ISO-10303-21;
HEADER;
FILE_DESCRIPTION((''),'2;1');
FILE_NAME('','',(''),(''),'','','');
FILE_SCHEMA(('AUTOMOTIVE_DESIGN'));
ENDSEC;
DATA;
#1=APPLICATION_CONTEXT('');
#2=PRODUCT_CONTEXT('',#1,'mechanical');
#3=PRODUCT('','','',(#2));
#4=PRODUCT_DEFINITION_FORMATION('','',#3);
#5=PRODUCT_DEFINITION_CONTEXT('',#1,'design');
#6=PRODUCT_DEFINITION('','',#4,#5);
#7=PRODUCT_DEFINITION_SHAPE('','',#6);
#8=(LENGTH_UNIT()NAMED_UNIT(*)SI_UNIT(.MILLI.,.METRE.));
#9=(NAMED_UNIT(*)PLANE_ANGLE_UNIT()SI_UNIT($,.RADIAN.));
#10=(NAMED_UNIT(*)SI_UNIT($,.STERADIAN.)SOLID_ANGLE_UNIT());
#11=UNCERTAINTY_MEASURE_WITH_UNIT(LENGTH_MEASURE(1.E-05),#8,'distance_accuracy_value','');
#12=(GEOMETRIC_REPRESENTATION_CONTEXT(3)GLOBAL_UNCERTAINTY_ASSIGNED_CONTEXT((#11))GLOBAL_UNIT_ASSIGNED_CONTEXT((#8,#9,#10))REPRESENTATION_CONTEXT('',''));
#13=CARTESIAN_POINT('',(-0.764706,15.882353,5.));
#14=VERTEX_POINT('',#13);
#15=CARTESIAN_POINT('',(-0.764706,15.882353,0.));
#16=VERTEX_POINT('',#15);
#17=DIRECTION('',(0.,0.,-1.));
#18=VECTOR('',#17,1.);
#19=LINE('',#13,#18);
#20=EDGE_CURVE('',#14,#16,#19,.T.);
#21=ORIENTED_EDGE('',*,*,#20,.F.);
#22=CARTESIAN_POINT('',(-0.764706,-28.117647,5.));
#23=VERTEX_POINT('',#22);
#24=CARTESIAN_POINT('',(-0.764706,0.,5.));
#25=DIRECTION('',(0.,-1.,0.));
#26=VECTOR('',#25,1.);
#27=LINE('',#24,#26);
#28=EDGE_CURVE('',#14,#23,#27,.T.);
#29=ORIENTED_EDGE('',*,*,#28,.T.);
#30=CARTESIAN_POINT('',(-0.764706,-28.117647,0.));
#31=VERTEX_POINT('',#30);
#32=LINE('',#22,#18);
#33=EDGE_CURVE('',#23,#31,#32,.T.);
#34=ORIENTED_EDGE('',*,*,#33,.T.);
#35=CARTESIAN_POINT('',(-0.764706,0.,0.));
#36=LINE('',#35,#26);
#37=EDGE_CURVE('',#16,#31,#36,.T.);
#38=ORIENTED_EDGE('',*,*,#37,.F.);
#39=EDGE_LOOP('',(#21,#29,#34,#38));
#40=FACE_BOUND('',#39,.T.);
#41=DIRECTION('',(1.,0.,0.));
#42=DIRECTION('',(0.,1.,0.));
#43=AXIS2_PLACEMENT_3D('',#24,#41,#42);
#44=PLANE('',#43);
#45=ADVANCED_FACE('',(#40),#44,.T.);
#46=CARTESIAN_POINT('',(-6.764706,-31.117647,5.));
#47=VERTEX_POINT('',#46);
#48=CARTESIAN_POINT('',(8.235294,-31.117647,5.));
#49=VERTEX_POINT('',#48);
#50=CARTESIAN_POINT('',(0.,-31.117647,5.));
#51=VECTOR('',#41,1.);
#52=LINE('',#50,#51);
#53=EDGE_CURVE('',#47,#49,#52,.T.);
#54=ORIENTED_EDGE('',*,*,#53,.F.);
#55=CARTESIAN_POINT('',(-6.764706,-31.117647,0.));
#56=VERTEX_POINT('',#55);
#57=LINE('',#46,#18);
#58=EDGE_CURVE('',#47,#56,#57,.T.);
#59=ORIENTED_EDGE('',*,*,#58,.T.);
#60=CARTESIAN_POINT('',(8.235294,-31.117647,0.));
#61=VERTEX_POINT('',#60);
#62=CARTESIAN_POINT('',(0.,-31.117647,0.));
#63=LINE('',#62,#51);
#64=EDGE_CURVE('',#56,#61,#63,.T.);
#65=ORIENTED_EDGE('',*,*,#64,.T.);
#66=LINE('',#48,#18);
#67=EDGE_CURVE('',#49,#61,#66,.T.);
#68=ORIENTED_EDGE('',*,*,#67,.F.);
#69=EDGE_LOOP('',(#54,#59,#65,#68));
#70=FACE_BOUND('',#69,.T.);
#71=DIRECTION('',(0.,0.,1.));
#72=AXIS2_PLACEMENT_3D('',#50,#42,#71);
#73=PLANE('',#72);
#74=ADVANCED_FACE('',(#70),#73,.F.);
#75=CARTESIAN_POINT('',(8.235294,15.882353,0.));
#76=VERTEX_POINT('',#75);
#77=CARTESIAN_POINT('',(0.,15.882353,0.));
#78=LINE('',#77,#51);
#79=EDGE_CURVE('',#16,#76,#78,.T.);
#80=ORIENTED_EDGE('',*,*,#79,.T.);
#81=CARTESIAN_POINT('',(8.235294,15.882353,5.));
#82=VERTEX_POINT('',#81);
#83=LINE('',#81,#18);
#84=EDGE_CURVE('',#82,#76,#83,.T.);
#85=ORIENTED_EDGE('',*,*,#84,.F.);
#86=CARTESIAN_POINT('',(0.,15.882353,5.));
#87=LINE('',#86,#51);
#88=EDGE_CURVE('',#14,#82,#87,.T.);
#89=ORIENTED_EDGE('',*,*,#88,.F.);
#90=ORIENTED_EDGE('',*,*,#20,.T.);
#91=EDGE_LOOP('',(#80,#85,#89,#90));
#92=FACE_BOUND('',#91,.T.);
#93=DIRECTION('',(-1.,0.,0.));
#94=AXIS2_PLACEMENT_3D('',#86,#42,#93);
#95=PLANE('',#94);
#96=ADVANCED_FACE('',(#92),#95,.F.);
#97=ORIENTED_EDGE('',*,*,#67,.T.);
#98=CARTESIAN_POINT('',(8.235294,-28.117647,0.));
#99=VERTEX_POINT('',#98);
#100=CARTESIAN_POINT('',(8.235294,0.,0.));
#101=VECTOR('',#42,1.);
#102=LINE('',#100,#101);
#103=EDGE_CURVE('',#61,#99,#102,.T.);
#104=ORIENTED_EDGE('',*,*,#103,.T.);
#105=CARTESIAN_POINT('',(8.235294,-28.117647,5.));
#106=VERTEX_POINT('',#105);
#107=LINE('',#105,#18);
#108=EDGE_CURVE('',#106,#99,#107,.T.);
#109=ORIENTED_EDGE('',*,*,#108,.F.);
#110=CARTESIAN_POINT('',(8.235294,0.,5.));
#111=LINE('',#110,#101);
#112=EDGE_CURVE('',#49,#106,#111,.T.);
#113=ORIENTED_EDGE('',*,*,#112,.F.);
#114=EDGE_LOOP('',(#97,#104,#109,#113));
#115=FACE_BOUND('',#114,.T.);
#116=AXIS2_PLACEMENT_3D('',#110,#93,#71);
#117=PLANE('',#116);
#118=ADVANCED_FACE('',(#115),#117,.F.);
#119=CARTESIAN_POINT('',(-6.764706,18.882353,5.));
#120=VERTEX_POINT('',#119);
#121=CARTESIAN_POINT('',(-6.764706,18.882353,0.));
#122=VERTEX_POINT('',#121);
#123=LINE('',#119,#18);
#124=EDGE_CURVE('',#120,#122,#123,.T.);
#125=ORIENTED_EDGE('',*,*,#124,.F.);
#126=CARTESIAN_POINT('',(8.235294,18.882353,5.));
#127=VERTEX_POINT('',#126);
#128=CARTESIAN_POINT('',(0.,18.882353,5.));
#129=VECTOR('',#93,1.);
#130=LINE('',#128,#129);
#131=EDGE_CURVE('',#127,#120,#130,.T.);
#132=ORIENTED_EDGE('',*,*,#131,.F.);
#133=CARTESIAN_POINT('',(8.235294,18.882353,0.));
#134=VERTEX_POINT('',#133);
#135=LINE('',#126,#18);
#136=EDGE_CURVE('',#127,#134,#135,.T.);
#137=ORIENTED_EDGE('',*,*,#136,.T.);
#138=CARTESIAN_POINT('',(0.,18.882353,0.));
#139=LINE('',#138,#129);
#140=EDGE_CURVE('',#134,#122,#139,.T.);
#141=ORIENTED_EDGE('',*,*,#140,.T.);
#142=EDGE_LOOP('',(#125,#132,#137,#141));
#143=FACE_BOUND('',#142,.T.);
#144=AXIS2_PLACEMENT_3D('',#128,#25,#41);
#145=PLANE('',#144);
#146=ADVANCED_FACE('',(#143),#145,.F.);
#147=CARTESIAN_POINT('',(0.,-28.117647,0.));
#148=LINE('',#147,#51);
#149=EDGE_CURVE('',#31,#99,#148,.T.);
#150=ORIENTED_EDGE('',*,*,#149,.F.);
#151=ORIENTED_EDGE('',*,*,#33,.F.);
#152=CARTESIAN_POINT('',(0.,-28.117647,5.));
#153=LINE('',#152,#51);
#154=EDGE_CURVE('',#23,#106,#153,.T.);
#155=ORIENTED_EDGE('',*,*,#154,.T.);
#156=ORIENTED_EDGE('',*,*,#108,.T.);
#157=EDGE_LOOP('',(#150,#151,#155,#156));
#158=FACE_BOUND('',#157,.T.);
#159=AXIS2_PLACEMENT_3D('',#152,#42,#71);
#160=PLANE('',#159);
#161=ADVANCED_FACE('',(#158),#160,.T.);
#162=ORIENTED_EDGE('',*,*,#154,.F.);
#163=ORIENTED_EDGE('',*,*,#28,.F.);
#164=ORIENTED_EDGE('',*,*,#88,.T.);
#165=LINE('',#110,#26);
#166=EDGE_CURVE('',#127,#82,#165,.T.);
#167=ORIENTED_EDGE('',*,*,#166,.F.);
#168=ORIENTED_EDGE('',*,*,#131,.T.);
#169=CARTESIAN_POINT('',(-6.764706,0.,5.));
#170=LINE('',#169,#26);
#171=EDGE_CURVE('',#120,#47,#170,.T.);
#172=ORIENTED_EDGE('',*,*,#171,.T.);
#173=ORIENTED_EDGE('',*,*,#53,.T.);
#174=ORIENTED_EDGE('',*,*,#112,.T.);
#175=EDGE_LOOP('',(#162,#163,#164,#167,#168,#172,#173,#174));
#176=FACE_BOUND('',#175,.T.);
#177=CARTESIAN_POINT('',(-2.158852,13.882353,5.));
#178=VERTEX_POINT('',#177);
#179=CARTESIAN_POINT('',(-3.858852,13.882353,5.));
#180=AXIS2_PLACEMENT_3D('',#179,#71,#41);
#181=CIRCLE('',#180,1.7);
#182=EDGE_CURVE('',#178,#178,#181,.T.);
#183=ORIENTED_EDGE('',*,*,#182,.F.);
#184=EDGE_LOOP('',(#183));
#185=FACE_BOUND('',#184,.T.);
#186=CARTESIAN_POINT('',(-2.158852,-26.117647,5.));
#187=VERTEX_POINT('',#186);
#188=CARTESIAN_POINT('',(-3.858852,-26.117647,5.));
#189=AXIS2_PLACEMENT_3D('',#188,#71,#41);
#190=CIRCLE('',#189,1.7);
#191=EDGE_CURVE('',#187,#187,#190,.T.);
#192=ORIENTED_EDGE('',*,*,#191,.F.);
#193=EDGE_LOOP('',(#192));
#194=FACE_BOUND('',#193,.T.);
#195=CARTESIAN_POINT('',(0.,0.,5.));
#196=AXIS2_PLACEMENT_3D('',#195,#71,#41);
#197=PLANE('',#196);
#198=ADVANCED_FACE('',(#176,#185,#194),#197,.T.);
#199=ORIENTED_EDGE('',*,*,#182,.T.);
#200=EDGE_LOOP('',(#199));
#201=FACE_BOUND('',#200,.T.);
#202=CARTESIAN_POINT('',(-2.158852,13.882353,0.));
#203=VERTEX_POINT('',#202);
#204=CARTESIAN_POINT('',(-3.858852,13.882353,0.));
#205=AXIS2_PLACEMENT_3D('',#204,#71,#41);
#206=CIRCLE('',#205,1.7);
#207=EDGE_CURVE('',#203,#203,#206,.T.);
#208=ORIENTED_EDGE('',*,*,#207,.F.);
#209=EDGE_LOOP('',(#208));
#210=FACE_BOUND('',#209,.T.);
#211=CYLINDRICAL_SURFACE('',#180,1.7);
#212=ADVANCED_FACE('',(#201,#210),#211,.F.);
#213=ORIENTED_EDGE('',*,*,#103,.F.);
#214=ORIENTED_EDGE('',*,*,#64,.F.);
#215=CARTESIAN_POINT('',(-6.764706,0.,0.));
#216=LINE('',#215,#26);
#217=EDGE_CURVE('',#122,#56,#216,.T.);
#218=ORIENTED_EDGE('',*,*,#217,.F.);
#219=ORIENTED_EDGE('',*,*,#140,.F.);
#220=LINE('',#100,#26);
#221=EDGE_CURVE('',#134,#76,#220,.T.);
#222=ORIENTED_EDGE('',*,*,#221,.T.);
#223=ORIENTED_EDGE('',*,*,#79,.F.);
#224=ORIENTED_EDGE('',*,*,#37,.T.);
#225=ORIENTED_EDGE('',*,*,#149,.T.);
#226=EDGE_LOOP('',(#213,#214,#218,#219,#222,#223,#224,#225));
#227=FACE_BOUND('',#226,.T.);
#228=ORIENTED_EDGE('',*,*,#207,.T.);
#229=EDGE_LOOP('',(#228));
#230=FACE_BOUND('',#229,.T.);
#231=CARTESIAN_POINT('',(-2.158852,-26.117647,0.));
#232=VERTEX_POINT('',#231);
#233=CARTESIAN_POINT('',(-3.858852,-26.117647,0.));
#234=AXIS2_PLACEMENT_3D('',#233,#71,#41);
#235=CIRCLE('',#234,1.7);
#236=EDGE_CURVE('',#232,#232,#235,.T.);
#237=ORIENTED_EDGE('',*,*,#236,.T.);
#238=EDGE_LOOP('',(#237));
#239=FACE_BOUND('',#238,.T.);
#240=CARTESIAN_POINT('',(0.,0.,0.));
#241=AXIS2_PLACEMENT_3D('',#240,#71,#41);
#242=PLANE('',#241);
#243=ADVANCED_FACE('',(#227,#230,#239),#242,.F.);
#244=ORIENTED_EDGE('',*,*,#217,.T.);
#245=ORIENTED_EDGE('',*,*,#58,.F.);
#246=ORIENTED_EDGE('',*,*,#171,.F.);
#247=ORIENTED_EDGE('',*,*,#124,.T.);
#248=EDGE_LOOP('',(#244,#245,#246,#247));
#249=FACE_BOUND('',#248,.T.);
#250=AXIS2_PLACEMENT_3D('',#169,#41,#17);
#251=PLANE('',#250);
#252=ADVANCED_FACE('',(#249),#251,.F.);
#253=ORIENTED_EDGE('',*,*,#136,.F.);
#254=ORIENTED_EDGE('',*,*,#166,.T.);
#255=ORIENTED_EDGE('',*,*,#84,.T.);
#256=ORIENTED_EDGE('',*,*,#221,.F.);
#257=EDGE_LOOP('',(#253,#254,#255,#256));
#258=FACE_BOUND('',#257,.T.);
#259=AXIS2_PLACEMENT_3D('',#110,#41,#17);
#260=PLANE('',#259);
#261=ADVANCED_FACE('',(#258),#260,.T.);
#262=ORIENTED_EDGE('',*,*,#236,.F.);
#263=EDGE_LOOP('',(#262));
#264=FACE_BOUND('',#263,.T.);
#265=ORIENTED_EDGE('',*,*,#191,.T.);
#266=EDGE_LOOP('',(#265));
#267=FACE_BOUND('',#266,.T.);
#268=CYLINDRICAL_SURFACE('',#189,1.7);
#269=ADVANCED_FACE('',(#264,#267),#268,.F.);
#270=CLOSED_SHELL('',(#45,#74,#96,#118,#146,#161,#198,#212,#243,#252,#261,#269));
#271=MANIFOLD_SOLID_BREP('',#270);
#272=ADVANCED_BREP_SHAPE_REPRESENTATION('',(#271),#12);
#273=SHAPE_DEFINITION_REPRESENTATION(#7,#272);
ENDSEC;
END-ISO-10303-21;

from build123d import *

# Parameters (mm, degrees)
BOSS_EXTRUDE1_DEPTH  = 5
M3_CLEARANCE_HOLE2_D = 3.4


with BuildPart() as part:
    # Sketch1 → Boss-Extrude1 (new body)
    with BuildSketch(Plane.XY):
        Polygon((8.235294118, 15.882352941), (8.235294118, 18.882352941), (-6.764705882, 18.882352941), (-6.764705882, 14.294117647), (-6.764705882, -25.352941176), (-6.764705882, -31.117647059), (-0.882352941, -31.117647059), (8.235294118, -31.117647059), (8.235294118, -28.117647059), (-0.764705882, -28.117647059), (-0.764705882, 15.882352941), align=None)
    extrude(amount=BOSS_EXTRUDE1_DEPTH)

    # M3 Clearance Hole2 (through all)
    with Locations(Plane.XY.offset(5)):
        with Locations((-3.858851748, 13.882352941), (-3.858851748, -26.117647059)):
            Hole(M3_CLEARANCE_HOLE2_D / 2)


solid = part.part
